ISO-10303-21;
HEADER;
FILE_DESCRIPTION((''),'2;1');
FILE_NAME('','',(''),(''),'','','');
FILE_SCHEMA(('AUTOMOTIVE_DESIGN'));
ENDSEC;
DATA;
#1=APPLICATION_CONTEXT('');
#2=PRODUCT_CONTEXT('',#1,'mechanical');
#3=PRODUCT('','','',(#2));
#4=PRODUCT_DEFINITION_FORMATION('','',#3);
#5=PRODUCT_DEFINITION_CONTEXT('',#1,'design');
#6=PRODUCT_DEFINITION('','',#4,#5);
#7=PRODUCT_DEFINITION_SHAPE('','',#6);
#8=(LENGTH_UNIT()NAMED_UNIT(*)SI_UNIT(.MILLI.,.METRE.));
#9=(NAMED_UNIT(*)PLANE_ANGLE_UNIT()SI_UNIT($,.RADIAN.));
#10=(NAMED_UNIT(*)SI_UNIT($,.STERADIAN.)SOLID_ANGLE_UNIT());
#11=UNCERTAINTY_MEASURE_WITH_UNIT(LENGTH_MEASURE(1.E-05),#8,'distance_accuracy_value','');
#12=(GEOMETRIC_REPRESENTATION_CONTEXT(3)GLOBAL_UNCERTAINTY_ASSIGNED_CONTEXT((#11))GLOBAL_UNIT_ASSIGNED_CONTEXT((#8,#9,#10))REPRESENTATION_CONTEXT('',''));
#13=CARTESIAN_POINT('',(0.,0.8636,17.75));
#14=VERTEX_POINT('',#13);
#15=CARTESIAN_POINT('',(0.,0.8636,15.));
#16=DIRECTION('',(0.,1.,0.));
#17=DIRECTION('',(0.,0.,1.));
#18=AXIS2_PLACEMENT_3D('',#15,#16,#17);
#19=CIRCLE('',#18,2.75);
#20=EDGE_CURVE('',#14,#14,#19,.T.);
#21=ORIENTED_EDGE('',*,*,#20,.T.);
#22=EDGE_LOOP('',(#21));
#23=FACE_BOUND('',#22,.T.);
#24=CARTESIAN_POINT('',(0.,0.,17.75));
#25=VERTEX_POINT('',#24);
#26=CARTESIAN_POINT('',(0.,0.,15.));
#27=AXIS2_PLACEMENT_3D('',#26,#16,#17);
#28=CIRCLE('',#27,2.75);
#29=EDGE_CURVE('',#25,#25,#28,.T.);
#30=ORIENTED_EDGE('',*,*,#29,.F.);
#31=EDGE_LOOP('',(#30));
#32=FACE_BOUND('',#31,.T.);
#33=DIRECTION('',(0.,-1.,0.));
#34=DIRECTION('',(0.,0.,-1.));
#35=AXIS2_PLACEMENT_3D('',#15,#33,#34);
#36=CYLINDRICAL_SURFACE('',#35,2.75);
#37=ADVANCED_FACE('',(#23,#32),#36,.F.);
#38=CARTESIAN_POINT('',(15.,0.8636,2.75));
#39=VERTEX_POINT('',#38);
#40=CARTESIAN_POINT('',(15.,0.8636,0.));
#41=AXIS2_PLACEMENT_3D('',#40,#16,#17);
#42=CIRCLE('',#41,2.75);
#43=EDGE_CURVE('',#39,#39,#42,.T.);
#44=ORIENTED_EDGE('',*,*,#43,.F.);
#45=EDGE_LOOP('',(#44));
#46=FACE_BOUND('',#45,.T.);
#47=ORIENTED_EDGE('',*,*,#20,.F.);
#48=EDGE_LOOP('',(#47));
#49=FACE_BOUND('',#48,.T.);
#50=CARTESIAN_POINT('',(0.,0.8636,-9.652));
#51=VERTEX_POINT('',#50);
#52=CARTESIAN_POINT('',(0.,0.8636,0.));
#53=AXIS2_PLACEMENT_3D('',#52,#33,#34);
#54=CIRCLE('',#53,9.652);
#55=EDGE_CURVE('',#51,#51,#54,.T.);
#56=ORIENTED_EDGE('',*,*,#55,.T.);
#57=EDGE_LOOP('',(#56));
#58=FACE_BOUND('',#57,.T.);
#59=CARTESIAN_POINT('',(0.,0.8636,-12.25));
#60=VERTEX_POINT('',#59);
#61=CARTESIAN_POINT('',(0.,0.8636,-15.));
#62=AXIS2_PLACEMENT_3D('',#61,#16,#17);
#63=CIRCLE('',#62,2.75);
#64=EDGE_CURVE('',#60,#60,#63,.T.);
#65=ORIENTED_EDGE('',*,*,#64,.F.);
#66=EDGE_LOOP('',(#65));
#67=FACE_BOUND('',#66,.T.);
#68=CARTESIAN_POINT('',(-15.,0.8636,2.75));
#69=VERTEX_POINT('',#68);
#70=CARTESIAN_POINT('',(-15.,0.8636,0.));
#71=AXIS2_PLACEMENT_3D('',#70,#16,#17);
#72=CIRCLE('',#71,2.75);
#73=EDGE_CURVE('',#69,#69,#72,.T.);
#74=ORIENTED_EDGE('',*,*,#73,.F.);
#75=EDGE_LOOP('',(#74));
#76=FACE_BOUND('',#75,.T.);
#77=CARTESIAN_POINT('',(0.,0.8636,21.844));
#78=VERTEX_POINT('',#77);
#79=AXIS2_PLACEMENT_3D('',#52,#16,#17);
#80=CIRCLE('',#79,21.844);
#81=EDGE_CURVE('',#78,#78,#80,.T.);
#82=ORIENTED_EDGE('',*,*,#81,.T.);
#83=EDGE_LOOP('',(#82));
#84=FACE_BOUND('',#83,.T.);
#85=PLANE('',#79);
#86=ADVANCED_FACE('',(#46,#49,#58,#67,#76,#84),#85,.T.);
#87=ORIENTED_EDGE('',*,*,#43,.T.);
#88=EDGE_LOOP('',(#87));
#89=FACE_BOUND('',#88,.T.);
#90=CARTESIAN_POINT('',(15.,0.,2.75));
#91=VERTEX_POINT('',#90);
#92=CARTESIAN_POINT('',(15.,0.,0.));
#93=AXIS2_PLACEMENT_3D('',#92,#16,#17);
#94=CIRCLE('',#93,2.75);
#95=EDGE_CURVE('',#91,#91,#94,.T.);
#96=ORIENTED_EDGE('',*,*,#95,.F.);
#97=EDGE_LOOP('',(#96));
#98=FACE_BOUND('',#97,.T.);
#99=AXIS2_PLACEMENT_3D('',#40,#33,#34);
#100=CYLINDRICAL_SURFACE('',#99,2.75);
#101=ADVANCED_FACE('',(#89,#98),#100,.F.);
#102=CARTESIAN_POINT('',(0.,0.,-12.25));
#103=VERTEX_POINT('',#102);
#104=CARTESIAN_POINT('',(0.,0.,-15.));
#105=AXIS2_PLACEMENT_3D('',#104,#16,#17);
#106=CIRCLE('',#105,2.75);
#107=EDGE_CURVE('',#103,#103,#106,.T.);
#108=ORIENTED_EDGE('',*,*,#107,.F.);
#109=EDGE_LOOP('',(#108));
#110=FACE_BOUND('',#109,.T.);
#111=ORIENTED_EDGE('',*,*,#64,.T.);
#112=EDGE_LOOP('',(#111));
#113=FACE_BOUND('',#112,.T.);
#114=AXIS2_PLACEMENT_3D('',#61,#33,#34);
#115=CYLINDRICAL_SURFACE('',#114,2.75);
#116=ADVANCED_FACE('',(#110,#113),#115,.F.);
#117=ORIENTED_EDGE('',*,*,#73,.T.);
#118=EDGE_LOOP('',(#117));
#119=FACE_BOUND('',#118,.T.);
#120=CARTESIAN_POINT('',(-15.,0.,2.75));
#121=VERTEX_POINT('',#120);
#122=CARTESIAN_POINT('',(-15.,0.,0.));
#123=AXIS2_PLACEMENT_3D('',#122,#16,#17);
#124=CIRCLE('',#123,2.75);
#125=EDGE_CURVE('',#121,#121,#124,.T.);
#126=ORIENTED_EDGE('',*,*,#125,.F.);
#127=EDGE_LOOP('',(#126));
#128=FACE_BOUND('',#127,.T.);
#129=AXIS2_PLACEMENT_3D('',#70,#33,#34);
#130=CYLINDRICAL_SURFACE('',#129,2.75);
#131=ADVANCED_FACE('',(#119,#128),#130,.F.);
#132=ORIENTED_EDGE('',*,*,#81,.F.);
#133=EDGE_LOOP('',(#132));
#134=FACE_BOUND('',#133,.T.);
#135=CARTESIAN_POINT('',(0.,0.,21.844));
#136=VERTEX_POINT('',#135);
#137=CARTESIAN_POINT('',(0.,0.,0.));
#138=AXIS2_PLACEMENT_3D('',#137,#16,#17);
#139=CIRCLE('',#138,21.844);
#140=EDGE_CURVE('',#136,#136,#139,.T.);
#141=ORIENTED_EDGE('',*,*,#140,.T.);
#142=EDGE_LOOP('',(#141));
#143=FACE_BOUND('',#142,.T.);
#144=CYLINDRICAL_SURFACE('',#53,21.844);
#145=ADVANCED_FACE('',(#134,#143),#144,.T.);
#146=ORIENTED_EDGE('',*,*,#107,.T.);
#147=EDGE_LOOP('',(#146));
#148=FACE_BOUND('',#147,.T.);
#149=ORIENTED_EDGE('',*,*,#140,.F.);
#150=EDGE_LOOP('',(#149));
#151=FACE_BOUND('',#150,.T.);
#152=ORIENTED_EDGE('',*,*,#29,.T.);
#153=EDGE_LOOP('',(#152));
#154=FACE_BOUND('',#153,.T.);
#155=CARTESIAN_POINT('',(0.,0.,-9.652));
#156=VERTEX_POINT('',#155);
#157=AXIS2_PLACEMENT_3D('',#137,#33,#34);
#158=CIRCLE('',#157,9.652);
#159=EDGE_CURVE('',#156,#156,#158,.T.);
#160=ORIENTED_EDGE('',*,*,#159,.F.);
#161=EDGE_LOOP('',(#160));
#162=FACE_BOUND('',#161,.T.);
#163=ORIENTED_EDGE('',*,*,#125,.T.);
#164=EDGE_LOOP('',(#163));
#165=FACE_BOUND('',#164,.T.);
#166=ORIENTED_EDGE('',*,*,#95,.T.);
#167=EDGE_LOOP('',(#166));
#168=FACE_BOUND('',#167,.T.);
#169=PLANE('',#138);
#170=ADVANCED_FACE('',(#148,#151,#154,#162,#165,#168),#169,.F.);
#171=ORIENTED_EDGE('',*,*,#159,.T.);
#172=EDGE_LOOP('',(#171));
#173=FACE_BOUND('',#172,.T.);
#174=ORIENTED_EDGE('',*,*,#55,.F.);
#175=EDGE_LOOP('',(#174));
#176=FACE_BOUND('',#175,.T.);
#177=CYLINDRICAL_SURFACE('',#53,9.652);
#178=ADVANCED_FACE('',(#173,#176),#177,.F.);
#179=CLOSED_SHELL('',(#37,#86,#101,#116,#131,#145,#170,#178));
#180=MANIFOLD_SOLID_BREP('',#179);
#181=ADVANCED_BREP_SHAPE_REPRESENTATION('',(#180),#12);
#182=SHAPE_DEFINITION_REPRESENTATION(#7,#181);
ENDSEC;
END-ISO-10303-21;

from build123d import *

# Parameters (mm, degrees)
SKETCH1_R           = 21.844
SKETCH1_R_2         = 2.75
BOSS_EXTRUDE1_DEPTH = 0.8636
SKETCH2_R           = 9.652
CUT_EXTRUDE1_DEPTH  = 0.8636


with BuildPart() as part:
    # Sketch1 → Boss-Extrude1 (new body)
    with BuildSketch(Plane(origin=(0, 0, 0), x_dir=(1, 0, 0), z_dir=(0, 1, 0))):
        with Locations(Location((0, 0, 0), (0, 0, 270))):
            Circle(SKETCH1_R)
        with Locations(Location((0, 15, 0), (0, 0, 270))):
            Circle(SKETCH1_R_2, mode=Mode.SUBTRACT)
        with Locations(Location((15, 0, 0), (0, 0, 270))):
            Circle(SKETCH1_R_2, mode=Mode.SUBTRACT)
        with Locations(Location((0, -15, 0), (0, 0, 270))):
            Circle(SKETCH1_R_2, mode=Mode.SUBTRACT)
        with Locations(Location((-15, 0, 0), (0, 0, 270))):
            Circle(SKETCH1_R_2, mode=Mode.SUBTRACT)
    extrude(amount=BOSS_EXTRUDE1_DEPTH)

    # Sketch2 → Cut-Extrude1 (cut)
    with BuildSketch(Plane.XZ):
        with Locations(Location((0, 0, 0), (0, 0, 270))):
            Circle(SKETCH2_R)
    extrude(amount=-CUT_EXTRUDE1_DEPTH, mode=Mode.SUBTRACT)


solid = part.part
